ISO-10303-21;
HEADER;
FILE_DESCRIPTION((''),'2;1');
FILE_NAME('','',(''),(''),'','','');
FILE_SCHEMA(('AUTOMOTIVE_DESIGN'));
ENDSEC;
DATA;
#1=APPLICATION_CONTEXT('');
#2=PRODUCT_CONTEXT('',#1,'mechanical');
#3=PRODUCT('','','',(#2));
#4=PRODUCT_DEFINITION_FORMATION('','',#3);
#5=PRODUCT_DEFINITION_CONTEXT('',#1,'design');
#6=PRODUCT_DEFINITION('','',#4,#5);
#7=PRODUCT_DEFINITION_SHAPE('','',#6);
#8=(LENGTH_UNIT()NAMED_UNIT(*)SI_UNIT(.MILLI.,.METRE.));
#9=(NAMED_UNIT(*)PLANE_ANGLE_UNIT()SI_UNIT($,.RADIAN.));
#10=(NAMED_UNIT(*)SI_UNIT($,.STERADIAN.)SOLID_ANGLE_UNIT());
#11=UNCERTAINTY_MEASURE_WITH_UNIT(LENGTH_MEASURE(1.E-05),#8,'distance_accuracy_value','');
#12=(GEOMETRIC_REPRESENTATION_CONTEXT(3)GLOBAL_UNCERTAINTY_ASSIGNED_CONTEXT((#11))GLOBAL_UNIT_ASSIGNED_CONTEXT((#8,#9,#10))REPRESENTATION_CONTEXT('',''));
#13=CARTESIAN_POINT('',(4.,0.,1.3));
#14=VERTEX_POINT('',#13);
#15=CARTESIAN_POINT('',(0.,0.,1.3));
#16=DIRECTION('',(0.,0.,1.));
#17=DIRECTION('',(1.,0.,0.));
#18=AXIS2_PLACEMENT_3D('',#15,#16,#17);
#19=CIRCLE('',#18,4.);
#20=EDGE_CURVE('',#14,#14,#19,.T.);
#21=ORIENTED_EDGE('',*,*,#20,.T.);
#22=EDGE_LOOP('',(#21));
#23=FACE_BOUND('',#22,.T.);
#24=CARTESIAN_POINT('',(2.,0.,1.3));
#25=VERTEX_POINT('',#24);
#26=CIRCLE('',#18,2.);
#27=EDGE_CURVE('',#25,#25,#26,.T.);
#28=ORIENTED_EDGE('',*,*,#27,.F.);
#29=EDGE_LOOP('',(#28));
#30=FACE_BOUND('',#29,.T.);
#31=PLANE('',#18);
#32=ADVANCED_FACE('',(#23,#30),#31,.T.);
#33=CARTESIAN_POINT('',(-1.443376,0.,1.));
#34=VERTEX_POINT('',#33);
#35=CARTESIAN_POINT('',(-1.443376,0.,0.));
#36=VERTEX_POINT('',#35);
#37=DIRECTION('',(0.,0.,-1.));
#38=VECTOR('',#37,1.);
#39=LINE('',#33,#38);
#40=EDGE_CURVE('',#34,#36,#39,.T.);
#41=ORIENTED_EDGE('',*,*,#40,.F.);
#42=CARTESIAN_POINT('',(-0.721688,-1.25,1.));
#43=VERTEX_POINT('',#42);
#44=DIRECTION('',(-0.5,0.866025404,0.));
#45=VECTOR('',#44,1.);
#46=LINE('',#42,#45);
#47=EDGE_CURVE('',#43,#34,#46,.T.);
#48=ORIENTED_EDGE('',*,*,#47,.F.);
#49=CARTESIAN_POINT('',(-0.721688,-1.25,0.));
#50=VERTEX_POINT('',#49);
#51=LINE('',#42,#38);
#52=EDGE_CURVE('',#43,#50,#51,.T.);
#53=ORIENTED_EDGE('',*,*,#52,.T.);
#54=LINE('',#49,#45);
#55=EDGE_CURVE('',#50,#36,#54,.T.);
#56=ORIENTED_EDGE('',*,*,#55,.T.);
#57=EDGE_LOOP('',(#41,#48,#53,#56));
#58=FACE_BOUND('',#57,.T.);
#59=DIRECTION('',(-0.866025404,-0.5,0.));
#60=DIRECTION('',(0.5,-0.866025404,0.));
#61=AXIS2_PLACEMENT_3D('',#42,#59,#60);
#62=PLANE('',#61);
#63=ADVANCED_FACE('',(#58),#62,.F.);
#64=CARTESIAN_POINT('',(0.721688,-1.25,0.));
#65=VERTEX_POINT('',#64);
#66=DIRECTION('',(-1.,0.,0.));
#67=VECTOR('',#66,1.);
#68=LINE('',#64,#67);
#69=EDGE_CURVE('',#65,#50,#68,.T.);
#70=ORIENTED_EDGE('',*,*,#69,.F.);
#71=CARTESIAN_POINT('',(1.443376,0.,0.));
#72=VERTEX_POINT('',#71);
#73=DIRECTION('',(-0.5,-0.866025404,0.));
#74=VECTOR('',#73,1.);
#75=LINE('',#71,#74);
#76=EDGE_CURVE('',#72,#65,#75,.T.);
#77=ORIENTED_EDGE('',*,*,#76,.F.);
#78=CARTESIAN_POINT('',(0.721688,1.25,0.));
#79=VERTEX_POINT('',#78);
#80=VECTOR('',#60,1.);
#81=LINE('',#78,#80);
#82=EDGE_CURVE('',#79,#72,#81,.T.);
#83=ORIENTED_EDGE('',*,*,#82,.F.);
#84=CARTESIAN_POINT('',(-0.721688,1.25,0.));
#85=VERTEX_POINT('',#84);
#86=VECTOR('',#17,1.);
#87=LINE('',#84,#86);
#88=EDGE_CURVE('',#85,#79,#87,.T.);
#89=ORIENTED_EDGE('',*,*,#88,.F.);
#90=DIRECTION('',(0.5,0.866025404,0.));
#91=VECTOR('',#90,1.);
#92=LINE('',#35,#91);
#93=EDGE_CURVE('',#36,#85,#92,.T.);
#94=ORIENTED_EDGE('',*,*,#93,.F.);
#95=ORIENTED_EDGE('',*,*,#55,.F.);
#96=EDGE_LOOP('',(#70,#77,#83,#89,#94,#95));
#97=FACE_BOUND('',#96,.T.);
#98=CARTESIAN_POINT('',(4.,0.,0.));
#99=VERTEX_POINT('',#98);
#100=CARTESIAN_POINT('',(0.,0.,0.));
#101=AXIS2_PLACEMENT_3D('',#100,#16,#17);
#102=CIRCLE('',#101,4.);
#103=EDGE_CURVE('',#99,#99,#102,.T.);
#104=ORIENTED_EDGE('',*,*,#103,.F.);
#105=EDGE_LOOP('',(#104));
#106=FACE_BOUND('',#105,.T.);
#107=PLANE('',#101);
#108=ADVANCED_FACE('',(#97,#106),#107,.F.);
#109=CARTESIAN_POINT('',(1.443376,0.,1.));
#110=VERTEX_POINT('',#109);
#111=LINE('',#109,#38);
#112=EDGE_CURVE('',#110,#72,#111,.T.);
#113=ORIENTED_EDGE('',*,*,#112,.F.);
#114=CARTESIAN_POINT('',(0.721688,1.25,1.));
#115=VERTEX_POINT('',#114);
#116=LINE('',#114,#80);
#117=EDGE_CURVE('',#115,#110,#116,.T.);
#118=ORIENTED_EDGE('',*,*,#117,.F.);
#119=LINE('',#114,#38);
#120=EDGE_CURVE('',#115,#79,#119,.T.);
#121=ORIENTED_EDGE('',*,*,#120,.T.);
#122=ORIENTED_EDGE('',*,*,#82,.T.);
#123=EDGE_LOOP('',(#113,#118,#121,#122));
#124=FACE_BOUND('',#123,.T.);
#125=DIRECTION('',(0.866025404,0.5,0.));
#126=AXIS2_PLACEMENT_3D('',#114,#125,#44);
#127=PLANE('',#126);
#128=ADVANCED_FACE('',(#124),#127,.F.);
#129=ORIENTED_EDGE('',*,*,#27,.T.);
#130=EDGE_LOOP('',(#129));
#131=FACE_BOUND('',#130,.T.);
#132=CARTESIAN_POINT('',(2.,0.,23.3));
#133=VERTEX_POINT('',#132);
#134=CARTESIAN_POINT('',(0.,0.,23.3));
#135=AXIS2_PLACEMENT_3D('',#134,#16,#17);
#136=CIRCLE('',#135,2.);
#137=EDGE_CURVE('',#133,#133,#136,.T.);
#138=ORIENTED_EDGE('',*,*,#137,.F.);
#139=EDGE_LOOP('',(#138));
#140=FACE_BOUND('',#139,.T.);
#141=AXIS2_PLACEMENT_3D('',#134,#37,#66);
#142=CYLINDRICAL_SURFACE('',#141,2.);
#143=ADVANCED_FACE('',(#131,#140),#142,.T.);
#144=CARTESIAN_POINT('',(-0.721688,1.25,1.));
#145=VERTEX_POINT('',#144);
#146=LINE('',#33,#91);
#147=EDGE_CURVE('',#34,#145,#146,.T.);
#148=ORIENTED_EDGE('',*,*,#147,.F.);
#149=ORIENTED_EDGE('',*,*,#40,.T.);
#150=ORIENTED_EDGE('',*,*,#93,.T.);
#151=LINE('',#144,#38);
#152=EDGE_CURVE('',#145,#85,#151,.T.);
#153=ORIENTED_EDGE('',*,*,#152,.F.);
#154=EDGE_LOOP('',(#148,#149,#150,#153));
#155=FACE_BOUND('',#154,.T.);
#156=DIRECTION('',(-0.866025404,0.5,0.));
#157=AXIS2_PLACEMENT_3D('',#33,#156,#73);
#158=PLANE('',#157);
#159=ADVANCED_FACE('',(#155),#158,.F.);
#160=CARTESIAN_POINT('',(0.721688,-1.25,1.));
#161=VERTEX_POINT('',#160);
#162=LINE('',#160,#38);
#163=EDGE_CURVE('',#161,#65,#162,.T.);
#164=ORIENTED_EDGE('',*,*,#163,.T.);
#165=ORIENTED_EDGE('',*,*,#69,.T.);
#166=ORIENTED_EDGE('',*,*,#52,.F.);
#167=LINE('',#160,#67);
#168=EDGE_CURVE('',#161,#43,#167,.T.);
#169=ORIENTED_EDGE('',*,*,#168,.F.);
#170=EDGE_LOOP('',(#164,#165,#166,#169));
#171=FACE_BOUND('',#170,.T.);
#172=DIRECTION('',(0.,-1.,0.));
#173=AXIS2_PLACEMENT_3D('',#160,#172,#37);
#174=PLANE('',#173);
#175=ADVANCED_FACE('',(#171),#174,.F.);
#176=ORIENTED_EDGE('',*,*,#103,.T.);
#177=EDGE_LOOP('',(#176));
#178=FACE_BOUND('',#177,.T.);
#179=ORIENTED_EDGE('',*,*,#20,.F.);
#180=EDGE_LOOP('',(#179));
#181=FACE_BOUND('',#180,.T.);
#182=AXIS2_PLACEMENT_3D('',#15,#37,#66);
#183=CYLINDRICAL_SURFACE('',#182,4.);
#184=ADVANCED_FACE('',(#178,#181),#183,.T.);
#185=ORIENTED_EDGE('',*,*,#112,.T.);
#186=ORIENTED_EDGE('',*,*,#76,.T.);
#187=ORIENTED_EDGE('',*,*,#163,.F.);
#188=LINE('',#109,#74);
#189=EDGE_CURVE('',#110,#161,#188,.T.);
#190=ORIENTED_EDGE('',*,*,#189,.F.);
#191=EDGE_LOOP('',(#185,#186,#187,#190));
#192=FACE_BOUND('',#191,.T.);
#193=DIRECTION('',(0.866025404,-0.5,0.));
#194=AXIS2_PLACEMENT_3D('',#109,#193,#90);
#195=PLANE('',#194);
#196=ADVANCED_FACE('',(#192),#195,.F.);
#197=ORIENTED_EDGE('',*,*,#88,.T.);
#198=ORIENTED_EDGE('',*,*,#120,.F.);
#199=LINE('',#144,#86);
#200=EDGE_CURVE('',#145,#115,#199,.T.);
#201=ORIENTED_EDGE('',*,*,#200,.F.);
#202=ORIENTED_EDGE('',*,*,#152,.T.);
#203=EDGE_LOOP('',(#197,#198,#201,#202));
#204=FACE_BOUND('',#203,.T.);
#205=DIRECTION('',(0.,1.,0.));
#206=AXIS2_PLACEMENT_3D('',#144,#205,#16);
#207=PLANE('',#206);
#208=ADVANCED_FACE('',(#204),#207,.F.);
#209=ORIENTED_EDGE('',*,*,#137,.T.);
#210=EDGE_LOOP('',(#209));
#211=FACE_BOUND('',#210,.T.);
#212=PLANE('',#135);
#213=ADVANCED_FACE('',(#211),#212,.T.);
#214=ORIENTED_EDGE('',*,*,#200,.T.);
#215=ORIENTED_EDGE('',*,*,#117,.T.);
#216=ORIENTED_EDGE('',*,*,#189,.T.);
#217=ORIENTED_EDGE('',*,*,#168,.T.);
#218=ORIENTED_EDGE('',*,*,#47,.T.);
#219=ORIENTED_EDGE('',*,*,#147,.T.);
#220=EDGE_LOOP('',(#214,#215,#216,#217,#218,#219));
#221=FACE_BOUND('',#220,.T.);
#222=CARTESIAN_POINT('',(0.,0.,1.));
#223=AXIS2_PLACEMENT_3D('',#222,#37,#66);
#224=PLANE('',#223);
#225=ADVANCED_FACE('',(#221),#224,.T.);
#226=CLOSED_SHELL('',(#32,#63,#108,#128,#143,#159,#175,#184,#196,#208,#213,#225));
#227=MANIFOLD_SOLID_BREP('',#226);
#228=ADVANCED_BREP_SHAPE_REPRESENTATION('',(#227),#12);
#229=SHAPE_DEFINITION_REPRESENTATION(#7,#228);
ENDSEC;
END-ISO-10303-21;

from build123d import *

# Parameters (mm, degrees)
SKETCH_1_R          = 4
EXTRUDE_1_DEPTH     = 1.3
SKETCH_2_R          = 2
EXTRUDE_2_DEPTH     = 22
CUT_EXTRUDE_1_DEPTH = 1


with BuildPart() as part:
    # 草图1 → 凸台-拉伸1 (new body)
    with BuildSketch(Plane.XY):
        Circle(SKETCH_1_R)
    extrude(amount=EXTRUDE_1_DEPTH)

    # 草图2 → 凸台-拉伸2 (add)
    with BuildSketch(Plane.XY.offset(1.3)):
        Circle(SKETCH_2_R)
    extrude(amount=EXTRUDE_2_DEPTH)

    # 草图3 → 切除-拉伸1 (cut)
    with BuildSketch(Plane(origin=(0, 0, 0), x_dir=(-1, 0, 0), z_dir=(0, 0, -1))):
        Polygon((1.443375673, 0), (0.721687836, 1.25), (-0.721687836, 1.25), (-1.443375673, 0), (-0.721687836, -1.25), (0.721687836, -1.25), align=None)
    extrude(amount=-CUT_EXTRUDE_1_DEPTH, mode=Mode.SUBTRACT)


solid = part.part
